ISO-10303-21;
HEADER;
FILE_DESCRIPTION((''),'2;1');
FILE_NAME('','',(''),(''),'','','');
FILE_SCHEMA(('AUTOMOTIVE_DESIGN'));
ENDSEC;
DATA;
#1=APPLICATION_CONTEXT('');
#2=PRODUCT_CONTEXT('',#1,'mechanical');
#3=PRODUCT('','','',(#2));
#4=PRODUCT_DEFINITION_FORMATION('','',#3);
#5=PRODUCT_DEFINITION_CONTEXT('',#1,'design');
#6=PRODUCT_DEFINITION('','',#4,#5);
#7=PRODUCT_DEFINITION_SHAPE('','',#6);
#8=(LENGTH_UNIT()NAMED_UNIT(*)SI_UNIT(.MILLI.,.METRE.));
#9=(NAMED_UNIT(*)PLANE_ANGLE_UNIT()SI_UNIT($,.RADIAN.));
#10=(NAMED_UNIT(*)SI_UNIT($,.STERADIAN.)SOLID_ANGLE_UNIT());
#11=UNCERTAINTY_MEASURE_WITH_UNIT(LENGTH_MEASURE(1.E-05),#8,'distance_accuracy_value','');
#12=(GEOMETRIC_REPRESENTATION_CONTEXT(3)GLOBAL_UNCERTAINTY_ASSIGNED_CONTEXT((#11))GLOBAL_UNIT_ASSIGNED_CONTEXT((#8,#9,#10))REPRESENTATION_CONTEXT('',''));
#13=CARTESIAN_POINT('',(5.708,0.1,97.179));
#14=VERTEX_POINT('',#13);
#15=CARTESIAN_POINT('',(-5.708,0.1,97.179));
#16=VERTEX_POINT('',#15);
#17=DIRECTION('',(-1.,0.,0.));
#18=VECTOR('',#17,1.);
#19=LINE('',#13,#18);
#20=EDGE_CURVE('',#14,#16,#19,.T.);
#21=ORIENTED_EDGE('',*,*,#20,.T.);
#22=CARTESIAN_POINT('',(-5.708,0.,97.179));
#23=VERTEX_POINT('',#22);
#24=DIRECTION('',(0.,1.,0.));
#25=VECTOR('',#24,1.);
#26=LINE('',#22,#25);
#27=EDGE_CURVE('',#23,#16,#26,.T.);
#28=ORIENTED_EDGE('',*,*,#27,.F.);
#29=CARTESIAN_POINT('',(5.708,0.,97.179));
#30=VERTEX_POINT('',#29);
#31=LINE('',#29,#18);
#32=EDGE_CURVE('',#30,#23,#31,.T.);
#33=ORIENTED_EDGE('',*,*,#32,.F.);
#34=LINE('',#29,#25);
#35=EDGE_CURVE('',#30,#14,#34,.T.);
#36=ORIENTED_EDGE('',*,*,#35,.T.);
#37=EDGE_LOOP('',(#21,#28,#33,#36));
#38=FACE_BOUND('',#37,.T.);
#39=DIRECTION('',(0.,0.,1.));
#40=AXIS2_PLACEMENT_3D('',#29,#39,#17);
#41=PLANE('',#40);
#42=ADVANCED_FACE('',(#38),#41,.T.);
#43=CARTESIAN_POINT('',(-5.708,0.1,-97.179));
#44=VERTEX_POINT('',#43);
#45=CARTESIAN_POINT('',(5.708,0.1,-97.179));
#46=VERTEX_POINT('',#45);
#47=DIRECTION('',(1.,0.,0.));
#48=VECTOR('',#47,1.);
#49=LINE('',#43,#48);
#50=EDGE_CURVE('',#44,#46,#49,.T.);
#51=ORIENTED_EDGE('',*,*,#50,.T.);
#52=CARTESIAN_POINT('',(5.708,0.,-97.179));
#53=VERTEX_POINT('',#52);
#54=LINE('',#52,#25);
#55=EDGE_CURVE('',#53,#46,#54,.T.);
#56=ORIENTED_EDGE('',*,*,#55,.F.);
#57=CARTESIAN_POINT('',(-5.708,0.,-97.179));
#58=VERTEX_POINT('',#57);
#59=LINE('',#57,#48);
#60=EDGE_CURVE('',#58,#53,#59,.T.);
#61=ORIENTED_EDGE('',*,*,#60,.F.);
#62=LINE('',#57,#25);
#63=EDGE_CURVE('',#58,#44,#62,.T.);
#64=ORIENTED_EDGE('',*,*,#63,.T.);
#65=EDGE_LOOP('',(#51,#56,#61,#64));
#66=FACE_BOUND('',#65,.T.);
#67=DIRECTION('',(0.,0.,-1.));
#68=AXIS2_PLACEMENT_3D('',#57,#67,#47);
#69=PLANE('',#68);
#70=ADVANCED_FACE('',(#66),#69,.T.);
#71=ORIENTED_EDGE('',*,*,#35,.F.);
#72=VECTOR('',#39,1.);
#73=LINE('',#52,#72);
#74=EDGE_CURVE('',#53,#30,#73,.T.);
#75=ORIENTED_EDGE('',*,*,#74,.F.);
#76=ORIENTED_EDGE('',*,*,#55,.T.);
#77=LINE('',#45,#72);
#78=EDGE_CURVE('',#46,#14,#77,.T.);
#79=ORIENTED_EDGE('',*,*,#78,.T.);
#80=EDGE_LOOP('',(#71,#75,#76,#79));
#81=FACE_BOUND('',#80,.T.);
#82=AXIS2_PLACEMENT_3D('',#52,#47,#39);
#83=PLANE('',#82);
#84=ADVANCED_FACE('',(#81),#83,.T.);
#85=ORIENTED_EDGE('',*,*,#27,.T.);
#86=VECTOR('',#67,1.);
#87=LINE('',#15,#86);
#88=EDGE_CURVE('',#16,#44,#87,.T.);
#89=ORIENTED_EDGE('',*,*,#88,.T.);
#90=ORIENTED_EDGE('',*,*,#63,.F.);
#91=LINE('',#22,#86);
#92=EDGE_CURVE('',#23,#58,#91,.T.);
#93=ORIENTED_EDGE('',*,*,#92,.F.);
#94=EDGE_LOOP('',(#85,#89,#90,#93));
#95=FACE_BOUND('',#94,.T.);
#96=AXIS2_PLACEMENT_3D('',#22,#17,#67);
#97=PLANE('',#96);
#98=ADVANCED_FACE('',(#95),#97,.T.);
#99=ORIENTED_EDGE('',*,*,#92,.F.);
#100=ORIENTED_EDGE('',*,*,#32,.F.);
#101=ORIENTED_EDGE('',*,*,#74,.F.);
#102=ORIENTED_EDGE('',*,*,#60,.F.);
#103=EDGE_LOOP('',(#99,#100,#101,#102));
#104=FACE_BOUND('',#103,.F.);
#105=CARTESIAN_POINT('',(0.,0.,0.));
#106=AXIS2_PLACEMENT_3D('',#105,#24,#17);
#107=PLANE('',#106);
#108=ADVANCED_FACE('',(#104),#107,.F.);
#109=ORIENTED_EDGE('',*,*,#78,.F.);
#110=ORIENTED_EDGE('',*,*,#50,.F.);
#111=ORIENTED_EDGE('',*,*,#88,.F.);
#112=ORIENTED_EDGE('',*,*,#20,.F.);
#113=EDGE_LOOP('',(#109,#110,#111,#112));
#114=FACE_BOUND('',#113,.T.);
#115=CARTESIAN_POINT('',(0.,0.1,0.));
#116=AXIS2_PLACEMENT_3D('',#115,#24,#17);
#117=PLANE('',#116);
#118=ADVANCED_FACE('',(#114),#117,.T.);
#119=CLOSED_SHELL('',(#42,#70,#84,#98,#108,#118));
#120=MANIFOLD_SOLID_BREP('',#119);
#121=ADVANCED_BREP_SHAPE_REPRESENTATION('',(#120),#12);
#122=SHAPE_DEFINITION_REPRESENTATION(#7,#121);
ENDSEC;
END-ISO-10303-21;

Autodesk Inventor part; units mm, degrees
ref_plane "YZ Plane" through (0, 0, 0) normal (1, 0, 0) x (0, 1, 0)
ref_plane "XZ Plane" through (0, 0, 0) normal (0, 1, 0) x (-1, 0, 0)
ref_plane "XY Plane" through (0, 0, 0) normal (0, 0, 1) x (1, 0, 0)
sketch "Sketch1" plane through (0, 0, 0) normal (0, 1, 0) x (-1, 0, 0)
  line L0 (-5.708, 97.179) -> (5.708, 97.179)
  line L1 (5.708, 97.179) -> (5.708, -97.179)
  line L2 (5.708, -97.179) -> (-5.708, -97.179)
  line L3 (-5.708, -97.179) -> (-5.708, 97.179)
  line L4 (-5.708, 97.179) -> (5.708, -97.179) construction
  line L5 (5.708, 97.179) -> (-5.708, -97.179) construction
  point P0 (0, 0)
  dimension "d0" = 11.416
  dimension "d1" = 194.358
extrude "Extrusion1" add sketch "Sketch1" along normal blind 0.1
equation "\"d0\" = 2 * rubberizedCoating + ScintillatorThickness + 2 * silveringThickness"
equation "\"d1\" = rubberizedCoating + ScintillatorHeight + silveringThickness - mppcMountDepth"
equation "\"ScintillatorHeight\" = 200"
equation "\"silveringThickness\" = 0.2"
equation "\"mppcMountDepth\" = 6.35"
equation "\"opticalFiberDiameter\" = 1"
equation "\"opticalFiberClearence\" = 0.071"
equation "\"scintillatorEdgeClearence\" = 3"
equation "\"shallowTrackDepth\" = 1.142"
equation "\"deepTrackDepth\" = 5.571"
equation "\"fiberEdgeOffsett\" = 5"
equation "\"mppcMountThickness\" = 6.35"
equation "\"facingThickness\" = 12.7"
equation "\"facingGasketThickness\" = 1.5875"
equation "\"LoopLargeTrackRatio\" = 1.1"
equation "\"MountingScrewOffsett\" = 9"
equation "\"FiberEdgeOffsett\" = 5"
equation "\"ShallowTrackDepth\" = 1.142"
equation "\"DeepTrackDepth\" = 5.571"
equation "\"FiberSensorClerence\" = 0.5"
equation "\"ScintillatorEdgeClearence\" = 3"
equation "\"OpticalFiberClearence\" = 0.071"
equation "\"ScintillatorThickness\" = 10"
properties part number "coluredSpacer" material "ABS Plastic"
